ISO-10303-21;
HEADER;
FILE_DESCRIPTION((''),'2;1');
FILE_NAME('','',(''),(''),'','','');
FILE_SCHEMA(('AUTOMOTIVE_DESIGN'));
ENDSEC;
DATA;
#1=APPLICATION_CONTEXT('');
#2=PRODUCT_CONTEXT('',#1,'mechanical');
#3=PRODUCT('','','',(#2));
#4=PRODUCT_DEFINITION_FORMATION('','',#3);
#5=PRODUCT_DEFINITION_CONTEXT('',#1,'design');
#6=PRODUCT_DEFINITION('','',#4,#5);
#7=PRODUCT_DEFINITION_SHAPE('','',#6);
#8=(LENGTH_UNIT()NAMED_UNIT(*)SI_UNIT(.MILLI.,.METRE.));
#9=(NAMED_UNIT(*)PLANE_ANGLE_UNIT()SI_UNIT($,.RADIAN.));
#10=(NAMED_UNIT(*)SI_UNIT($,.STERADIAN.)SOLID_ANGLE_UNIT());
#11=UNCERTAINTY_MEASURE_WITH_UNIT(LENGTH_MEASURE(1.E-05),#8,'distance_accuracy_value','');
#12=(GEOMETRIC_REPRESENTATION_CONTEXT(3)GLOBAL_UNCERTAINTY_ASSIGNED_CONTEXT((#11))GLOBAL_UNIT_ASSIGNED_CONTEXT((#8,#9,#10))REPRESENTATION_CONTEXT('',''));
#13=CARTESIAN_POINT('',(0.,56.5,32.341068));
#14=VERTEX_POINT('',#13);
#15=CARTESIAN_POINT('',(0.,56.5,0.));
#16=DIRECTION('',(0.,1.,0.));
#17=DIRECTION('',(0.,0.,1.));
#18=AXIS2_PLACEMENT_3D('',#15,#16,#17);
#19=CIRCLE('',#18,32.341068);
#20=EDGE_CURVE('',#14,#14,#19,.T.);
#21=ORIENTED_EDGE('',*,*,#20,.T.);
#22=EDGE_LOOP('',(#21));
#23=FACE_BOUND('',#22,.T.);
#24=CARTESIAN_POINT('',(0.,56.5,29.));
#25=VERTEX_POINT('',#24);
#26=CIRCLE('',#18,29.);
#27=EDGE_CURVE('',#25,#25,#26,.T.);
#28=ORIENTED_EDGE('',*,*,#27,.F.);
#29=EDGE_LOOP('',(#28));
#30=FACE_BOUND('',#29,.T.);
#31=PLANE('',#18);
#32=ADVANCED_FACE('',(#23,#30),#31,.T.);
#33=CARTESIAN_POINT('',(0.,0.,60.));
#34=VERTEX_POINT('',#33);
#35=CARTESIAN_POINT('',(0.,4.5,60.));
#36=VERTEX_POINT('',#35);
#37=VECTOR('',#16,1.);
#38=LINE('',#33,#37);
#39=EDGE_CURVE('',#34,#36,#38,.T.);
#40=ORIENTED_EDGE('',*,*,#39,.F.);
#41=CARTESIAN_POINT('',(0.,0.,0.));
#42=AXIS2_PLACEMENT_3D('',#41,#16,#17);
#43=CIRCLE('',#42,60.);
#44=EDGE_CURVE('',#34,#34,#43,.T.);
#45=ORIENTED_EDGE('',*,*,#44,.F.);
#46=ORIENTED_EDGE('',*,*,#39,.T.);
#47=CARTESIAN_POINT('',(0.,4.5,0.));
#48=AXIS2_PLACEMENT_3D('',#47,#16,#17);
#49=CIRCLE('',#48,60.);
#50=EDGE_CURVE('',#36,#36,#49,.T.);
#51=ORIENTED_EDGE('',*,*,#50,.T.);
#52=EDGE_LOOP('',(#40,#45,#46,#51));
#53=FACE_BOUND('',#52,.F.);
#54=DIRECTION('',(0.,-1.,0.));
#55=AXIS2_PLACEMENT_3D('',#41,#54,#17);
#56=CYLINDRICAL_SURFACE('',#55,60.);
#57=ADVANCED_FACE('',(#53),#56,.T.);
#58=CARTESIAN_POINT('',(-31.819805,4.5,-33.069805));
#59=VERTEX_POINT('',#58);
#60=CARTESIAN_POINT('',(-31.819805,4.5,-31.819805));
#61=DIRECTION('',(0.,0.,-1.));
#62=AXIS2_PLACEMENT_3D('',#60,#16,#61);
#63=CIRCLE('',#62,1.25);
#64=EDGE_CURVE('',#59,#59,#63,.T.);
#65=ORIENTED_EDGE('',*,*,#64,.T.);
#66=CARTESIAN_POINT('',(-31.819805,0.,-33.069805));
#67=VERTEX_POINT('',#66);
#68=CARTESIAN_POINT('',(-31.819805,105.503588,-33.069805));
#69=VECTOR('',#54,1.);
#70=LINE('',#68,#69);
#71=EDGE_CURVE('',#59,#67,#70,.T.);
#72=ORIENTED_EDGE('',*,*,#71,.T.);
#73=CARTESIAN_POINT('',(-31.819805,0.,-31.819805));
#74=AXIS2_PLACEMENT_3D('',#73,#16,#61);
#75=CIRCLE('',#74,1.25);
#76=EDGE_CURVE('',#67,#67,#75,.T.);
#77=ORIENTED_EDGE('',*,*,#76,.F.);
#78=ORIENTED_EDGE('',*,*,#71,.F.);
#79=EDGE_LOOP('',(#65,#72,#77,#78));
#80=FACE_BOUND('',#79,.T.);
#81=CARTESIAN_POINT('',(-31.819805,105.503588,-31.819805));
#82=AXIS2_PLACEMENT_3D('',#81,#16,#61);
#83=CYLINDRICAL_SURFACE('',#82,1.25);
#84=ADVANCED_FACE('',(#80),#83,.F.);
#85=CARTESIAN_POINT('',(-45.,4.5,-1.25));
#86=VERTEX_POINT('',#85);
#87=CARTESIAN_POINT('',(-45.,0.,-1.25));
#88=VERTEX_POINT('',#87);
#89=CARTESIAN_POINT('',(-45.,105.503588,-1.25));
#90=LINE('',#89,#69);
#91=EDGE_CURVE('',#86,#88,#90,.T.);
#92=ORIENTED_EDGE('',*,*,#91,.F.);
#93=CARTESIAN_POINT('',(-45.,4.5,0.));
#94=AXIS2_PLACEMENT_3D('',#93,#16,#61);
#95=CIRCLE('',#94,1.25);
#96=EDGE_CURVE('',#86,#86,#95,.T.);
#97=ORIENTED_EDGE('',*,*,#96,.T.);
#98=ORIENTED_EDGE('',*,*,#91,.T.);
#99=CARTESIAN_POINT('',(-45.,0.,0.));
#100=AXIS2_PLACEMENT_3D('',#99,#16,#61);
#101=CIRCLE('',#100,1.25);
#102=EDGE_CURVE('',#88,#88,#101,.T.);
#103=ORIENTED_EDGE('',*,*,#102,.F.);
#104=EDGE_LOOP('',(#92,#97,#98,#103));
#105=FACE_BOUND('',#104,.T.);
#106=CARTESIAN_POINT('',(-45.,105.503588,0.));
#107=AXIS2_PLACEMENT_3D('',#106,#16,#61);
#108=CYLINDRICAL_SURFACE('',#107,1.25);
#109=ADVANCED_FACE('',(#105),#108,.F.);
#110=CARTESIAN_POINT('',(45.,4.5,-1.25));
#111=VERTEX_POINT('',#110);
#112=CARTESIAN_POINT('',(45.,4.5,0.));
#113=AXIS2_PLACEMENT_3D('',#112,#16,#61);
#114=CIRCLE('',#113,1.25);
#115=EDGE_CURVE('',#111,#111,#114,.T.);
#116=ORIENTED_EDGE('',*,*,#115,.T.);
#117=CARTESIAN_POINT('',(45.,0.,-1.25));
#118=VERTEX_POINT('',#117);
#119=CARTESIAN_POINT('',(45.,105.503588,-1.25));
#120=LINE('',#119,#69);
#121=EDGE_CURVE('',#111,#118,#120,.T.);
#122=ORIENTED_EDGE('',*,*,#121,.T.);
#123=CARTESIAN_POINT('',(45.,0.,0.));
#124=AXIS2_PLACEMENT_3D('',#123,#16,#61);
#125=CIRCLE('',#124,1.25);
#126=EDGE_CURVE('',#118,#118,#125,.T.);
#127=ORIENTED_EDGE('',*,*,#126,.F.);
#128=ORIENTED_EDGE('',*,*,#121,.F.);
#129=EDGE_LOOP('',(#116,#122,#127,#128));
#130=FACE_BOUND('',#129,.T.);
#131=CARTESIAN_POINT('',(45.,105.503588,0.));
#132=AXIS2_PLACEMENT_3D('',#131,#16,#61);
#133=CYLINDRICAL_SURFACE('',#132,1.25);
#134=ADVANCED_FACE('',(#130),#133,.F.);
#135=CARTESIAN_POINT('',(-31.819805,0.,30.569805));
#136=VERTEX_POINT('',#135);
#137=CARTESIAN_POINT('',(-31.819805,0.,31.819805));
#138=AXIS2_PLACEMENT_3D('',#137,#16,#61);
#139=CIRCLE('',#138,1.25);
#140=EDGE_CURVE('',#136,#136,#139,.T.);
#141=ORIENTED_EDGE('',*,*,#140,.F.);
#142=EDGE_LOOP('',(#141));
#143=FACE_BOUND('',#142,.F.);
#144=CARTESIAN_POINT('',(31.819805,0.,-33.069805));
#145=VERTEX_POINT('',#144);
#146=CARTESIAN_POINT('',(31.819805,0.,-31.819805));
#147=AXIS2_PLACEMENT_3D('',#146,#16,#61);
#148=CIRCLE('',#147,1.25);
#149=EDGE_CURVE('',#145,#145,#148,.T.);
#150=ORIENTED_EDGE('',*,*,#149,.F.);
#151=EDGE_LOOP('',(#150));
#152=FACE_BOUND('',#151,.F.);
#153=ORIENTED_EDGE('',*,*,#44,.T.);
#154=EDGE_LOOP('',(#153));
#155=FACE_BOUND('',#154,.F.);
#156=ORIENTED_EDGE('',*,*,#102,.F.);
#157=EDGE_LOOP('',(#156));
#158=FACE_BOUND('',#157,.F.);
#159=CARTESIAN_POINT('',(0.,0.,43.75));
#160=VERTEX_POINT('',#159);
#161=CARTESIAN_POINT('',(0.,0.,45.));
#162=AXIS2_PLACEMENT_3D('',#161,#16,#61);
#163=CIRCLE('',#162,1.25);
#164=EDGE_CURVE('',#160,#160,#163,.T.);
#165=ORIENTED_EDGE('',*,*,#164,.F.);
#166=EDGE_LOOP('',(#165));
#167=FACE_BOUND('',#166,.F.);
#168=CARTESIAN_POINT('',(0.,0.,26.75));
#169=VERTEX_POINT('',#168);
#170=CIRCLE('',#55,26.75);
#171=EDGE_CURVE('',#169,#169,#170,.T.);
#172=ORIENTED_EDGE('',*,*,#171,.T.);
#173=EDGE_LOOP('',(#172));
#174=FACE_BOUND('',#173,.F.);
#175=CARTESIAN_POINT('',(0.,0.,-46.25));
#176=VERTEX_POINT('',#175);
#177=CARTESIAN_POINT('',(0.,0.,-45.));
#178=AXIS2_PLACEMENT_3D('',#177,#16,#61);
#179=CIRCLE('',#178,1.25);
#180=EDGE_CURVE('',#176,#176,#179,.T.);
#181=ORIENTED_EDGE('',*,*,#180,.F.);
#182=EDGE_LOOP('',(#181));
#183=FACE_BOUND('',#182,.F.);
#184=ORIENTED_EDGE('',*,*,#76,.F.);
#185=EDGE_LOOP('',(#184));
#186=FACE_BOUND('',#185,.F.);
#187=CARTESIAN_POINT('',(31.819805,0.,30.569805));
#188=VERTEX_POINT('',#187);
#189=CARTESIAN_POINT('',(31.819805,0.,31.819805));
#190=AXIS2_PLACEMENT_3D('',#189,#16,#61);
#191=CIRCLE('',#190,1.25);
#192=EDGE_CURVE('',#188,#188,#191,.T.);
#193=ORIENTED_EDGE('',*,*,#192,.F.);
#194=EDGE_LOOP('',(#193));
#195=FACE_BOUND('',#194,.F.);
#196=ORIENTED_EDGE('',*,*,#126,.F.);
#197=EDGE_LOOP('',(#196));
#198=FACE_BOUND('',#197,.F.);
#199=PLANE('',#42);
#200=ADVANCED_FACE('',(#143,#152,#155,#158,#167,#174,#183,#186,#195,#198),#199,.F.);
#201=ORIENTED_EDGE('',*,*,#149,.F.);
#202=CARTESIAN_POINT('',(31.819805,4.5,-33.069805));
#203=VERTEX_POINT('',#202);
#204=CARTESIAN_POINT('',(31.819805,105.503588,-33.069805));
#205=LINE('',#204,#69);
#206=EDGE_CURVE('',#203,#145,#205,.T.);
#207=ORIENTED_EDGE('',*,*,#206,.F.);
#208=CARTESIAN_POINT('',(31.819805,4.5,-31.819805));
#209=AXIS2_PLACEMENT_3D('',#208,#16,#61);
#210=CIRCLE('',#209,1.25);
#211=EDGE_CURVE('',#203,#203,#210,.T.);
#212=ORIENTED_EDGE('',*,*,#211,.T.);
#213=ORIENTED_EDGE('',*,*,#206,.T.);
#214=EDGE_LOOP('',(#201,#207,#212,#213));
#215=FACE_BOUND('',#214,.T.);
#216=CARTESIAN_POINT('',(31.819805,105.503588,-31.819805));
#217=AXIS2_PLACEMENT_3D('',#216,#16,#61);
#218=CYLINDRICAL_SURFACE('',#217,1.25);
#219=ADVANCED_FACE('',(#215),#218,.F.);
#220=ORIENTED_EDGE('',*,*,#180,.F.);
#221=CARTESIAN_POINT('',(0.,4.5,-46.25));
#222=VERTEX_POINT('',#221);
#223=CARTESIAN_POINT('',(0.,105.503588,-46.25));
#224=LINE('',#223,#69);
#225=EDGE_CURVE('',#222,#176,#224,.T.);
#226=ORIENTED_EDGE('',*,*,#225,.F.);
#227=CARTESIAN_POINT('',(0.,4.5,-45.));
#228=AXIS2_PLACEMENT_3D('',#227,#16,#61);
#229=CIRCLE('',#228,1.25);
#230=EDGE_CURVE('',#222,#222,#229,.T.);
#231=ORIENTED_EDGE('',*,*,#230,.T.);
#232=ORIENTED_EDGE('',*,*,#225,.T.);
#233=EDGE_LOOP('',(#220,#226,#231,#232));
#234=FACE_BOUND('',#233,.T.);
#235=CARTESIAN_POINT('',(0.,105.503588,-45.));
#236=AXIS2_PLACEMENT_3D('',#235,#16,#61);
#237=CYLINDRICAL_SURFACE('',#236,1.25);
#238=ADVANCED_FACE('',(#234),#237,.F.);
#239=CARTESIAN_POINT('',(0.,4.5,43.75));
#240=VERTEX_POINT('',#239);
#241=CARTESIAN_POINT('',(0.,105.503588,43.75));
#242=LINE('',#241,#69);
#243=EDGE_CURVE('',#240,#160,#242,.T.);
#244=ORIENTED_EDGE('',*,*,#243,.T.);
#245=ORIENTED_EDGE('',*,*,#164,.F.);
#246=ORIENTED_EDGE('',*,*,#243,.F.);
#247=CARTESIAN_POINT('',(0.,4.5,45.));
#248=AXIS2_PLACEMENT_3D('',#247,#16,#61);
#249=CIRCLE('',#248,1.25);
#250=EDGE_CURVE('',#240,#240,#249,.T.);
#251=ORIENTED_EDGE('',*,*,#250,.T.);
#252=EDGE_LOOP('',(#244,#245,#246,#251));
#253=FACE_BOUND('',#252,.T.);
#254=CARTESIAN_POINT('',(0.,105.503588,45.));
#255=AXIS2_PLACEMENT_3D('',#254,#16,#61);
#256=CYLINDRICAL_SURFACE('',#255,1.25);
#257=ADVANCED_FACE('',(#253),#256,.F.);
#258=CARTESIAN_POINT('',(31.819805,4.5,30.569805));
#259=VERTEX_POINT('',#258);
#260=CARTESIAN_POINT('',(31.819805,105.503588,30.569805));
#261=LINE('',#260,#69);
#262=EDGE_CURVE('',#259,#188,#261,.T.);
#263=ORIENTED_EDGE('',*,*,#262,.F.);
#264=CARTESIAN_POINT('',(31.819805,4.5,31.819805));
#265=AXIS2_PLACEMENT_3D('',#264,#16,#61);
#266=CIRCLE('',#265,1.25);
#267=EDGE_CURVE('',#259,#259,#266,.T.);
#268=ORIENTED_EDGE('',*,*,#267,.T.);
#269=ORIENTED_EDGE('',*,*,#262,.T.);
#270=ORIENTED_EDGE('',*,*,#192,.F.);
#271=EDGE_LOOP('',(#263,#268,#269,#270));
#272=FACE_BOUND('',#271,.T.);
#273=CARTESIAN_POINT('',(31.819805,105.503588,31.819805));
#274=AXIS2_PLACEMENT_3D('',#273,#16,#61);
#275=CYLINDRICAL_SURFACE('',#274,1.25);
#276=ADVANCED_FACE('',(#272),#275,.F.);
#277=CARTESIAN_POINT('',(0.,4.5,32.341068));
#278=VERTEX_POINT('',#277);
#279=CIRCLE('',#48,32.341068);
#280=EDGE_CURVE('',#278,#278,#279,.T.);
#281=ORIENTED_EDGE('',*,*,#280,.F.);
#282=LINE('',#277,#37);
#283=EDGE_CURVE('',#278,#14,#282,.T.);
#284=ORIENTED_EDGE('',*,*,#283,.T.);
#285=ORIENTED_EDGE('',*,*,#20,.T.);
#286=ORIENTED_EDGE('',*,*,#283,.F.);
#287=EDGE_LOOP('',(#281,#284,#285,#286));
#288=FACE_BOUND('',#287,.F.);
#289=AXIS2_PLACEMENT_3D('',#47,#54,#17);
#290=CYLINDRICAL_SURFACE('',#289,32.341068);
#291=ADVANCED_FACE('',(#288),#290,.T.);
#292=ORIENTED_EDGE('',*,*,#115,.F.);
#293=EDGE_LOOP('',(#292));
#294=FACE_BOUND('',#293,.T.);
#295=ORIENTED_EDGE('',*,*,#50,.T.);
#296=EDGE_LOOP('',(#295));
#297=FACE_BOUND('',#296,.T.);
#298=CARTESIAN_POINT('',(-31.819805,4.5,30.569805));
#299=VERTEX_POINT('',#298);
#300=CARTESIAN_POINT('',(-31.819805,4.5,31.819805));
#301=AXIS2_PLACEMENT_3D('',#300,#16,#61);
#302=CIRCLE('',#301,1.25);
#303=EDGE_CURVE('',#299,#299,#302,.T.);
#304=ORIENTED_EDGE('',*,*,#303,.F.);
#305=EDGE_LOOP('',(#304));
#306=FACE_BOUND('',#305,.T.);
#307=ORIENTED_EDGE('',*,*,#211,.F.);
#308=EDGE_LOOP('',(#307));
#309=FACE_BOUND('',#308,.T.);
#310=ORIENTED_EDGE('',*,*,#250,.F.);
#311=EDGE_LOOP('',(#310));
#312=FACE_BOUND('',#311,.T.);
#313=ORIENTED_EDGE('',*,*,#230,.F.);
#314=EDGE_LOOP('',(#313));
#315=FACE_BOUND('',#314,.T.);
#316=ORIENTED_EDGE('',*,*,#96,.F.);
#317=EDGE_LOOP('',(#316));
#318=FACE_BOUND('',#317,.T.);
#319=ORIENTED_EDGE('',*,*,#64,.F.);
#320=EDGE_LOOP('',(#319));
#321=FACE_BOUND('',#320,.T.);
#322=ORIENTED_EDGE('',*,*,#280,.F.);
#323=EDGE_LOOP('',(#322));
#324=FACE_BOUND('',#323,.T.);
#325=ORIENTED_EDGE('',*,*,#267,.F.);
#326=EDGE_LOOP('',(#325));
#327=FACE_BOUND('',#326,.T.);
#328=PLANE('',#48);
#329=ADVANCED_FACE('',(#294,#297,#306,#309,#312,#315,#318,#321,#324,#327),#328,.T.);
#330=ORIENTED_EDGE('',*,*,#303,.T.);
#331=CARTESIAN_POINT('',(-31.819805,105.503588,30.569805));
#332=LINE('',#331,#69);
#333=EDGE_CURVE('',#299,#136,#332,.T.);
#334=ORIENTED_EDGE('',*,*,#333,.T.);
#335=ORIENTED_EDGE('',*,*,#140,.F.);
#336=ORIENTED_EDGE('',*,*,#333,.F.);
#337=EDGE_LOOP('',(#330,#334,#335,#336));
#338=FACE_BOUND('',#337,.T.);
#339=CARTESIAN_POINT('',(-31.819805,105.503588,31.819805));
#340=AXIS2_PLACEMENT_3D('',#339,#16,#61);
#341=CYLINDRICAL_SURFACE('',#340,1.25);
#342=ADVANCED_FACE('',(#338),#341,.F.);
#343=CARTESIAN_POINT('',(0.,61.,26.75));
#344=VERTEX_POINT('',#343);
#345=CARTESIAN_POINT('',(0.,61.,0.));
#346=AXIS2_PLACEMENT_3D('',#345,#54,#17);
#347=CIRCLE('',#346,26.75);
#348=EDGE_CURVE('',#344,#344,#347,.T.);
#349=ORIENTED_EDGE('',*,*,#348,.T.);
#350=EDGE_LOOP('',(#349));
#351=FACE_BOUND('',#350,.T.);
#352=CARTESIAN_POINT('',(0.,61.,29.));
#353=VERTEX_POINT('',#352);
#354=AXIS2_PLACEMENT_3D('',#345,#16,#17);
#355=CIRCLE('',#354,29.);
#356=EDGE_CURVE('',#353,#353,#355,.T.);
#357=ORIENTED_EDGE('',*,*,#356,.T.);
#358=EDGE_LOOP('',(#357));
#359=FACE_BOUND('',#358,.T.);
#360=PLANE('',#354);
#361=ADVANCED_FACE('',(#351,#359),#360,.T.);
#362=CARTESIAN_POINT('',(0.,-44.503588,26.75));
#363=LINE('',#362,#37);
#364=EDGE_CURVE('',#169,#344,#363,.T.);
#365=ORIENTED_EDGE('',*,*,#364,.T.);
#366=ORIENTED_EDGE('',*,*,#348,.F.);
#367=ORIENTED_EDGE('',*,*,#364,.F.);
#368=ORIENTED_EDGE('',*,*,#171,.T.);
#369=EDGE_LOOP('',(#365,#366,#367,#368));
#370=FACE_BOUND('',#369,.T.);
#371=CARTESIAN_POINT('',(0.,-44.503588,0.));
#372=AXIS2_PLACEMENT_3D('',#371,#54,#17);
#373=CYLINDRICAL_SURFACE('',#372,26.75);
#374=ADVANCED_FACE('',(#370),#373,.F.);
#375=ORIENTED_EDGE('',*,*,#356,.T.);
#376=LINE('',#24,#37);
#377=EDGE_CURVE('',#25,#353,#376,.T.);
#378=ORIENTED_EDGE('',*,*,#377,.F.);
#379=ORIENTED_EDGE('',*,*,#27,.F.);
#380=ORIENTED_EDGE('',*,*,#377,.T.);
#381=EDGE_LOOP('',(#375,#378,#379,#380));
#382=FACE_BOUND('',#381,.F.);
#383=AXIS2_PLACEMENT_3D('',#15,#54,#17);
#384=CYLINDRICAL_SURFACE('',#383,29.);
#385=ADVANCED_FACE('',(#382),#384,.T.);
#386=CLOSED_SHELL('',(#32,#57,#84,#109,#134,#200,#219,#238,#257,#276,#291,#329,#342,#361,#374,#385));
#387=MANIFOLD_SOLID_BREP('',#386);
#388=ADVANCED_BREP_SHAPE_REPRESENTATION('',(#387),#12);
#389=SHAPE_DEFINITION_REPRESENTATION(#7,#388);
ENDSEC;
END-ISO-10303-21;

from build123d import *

# Parameters (mm, degrees)
SKETCH1_R               = 60
BOSS_EXTRUDE1_DEPTH     = 4.5
SKETCH2_R               = 29.275
BOSS_EXTRUDE2_DEPTH     = 56.5
CUT_EXTRUDE1_DEPTH      = 105.503588455
CUT_EXTRUDE1_DEPTH_BACK = 105.503588455
SKETCH3_R               = 26.75
SKETCH4_R               = 32.341067561
SKETCH4_R_2             = 29.275
BOSS_EXTRUDE3_DEPTH     = 56.5
CUT_EXTRUDE2_START      = -4.5
SKETCH5_R               = 32.341067561
SKETCH5_R_2             = 29
CUT_EXTRUDE2_DEPTH      = 4.5
CUT_EXTRUDE3_DEPTH      = 105.503588455
CUT_EXTRUDE3_DEPTH_BACK = 105.503588455
SKETCH6_R               = 1.25


with BuildPart() as part:
    # Sketch1 → Boss-Extrude1 (new body)
    with BuildSketch(Plane(origin=(0, 0, 0), x_dir=(1, 0, 0), z_dir=(0, 1, 0))):
        with Locations(Location((0, 0, 0), (0, 0, 270))):
            Circle(SKETCH1_R)
    extrude(amount=BOSS_EXTRUDE1_DEPTH)

    # Sketch2 → Boss-Extrude2 (add)
    with BuildSketch(Plane(origin=(0, 4.5, 0), x_dir=(1, 0, 0), z_dir=(0, 1, 0))):
        with Locations(Location((0, 0, 0), (0, 0, 270))):
            Circle(SKETCH2_R)
    extrude(amount=BOSS_EXTRUDE2_DEPTH)

    # Sketch3 → Cut-Extrude1 (cut, two sides: drawn at the far end of the back side and taken through both)
    with BuildSketch(Plane(origin=(0, 61, 0), x_dir=(1, 0, 0), z_dir=(0, 1, 0)).offset(-CUT_EXTRUDE1_DEPTH_BACK)):
        with Locations(Location((0, 0, 0), (0, 0, 270))):
            Circle(SKETCH3_R)
    extrude(amount=CUT_EXTRUDE1_DEPTH + CUT_EXTRUDE1_DEPTH_BACK, mode=Mode.SUBTRACT)

    # Sketch4 → Boss-Extrude3 (add)
    with BuildSketch(Plane(origin=(0, 4.5, 0), x_dir=(1, 0, 0), z_dir=(0, 1, 0))):
        with Locations(Location((0, 0, 0), (0, 0, 270))):
            Circle(SKETCH4_R)
        Circle(SKETCH4_R_2, mode=Mode.SUBTRACT)
    extrude(amount=BOSS_EXTRUDE3_DEPTH)

    # Sketch5 → Cut-Extrude2 (cut)
    with BuildSketch(Plane(origin=(0, 61, 0), x_dir=(1, 0, 0), z_dir=(0, 1, 0)).offset(CUT_EXTRUDE2_START)):
        with Locations(Location((0, 0, 0), (0, 0, 270))):
            Circle(SKETCH5_R)
        with Locations(Location((0, 0, 0), (0, 0, 270))):
            Circle(SKETCH5_R_2, mode=Mode.SUBTRACT)
    extrude(amount=CUT_EXTRUDE2_DEPTH, mode=Mode.SUBTRACT)

    # Sketch6 → Cut-Extrude3 (cut, two sides: drawn at the far end of the back side and taken through both)
    with BuildSketch(Plane.XZ.offset(-CUT_EXTRUDE3_DEPTH_BACK)):
        with Locations(Location((31.819805153, -31.819805153, 0), (0, 0, 270))):
            Circle(SKETCH6_R)
        with Locations(Location((0, 45, 0), (0, 0, 270))):
            Circle(SKETCH6_R)
        with Locations(Location((31.819805153, 31.819805153, 0), (0, 0, 270))):
            Circle(SKETCH6_R)
        with Locations(Location((45, 0, 0), (0, 0, 270))):
            Circle(SKETCH6_R)
        with Locations(Location((-31.819805153, 31.819805153, 0), (0, 0, 270))):
            Circle(SKETCH6_R)
        with Locations(Location((-45, 0, 0), (0, 0, 270))):
            Circle(SKETCH6_R)
        with Locations(Location((-31.819805153, -31.819805153, 0), (0, 0, 270))):
            Circle(SKETCH6_R)
        with Locations(Location((0, -45, 0), (0, 0, 270))):
            Circle(SKETCH6_R)
    extrude(amount=CUT_EXTRUDE3_DEPTH + CUT_EXTRUDE3_DEPTH_BACK, mode=Mode.SUBTRACT)


solid = part.part
